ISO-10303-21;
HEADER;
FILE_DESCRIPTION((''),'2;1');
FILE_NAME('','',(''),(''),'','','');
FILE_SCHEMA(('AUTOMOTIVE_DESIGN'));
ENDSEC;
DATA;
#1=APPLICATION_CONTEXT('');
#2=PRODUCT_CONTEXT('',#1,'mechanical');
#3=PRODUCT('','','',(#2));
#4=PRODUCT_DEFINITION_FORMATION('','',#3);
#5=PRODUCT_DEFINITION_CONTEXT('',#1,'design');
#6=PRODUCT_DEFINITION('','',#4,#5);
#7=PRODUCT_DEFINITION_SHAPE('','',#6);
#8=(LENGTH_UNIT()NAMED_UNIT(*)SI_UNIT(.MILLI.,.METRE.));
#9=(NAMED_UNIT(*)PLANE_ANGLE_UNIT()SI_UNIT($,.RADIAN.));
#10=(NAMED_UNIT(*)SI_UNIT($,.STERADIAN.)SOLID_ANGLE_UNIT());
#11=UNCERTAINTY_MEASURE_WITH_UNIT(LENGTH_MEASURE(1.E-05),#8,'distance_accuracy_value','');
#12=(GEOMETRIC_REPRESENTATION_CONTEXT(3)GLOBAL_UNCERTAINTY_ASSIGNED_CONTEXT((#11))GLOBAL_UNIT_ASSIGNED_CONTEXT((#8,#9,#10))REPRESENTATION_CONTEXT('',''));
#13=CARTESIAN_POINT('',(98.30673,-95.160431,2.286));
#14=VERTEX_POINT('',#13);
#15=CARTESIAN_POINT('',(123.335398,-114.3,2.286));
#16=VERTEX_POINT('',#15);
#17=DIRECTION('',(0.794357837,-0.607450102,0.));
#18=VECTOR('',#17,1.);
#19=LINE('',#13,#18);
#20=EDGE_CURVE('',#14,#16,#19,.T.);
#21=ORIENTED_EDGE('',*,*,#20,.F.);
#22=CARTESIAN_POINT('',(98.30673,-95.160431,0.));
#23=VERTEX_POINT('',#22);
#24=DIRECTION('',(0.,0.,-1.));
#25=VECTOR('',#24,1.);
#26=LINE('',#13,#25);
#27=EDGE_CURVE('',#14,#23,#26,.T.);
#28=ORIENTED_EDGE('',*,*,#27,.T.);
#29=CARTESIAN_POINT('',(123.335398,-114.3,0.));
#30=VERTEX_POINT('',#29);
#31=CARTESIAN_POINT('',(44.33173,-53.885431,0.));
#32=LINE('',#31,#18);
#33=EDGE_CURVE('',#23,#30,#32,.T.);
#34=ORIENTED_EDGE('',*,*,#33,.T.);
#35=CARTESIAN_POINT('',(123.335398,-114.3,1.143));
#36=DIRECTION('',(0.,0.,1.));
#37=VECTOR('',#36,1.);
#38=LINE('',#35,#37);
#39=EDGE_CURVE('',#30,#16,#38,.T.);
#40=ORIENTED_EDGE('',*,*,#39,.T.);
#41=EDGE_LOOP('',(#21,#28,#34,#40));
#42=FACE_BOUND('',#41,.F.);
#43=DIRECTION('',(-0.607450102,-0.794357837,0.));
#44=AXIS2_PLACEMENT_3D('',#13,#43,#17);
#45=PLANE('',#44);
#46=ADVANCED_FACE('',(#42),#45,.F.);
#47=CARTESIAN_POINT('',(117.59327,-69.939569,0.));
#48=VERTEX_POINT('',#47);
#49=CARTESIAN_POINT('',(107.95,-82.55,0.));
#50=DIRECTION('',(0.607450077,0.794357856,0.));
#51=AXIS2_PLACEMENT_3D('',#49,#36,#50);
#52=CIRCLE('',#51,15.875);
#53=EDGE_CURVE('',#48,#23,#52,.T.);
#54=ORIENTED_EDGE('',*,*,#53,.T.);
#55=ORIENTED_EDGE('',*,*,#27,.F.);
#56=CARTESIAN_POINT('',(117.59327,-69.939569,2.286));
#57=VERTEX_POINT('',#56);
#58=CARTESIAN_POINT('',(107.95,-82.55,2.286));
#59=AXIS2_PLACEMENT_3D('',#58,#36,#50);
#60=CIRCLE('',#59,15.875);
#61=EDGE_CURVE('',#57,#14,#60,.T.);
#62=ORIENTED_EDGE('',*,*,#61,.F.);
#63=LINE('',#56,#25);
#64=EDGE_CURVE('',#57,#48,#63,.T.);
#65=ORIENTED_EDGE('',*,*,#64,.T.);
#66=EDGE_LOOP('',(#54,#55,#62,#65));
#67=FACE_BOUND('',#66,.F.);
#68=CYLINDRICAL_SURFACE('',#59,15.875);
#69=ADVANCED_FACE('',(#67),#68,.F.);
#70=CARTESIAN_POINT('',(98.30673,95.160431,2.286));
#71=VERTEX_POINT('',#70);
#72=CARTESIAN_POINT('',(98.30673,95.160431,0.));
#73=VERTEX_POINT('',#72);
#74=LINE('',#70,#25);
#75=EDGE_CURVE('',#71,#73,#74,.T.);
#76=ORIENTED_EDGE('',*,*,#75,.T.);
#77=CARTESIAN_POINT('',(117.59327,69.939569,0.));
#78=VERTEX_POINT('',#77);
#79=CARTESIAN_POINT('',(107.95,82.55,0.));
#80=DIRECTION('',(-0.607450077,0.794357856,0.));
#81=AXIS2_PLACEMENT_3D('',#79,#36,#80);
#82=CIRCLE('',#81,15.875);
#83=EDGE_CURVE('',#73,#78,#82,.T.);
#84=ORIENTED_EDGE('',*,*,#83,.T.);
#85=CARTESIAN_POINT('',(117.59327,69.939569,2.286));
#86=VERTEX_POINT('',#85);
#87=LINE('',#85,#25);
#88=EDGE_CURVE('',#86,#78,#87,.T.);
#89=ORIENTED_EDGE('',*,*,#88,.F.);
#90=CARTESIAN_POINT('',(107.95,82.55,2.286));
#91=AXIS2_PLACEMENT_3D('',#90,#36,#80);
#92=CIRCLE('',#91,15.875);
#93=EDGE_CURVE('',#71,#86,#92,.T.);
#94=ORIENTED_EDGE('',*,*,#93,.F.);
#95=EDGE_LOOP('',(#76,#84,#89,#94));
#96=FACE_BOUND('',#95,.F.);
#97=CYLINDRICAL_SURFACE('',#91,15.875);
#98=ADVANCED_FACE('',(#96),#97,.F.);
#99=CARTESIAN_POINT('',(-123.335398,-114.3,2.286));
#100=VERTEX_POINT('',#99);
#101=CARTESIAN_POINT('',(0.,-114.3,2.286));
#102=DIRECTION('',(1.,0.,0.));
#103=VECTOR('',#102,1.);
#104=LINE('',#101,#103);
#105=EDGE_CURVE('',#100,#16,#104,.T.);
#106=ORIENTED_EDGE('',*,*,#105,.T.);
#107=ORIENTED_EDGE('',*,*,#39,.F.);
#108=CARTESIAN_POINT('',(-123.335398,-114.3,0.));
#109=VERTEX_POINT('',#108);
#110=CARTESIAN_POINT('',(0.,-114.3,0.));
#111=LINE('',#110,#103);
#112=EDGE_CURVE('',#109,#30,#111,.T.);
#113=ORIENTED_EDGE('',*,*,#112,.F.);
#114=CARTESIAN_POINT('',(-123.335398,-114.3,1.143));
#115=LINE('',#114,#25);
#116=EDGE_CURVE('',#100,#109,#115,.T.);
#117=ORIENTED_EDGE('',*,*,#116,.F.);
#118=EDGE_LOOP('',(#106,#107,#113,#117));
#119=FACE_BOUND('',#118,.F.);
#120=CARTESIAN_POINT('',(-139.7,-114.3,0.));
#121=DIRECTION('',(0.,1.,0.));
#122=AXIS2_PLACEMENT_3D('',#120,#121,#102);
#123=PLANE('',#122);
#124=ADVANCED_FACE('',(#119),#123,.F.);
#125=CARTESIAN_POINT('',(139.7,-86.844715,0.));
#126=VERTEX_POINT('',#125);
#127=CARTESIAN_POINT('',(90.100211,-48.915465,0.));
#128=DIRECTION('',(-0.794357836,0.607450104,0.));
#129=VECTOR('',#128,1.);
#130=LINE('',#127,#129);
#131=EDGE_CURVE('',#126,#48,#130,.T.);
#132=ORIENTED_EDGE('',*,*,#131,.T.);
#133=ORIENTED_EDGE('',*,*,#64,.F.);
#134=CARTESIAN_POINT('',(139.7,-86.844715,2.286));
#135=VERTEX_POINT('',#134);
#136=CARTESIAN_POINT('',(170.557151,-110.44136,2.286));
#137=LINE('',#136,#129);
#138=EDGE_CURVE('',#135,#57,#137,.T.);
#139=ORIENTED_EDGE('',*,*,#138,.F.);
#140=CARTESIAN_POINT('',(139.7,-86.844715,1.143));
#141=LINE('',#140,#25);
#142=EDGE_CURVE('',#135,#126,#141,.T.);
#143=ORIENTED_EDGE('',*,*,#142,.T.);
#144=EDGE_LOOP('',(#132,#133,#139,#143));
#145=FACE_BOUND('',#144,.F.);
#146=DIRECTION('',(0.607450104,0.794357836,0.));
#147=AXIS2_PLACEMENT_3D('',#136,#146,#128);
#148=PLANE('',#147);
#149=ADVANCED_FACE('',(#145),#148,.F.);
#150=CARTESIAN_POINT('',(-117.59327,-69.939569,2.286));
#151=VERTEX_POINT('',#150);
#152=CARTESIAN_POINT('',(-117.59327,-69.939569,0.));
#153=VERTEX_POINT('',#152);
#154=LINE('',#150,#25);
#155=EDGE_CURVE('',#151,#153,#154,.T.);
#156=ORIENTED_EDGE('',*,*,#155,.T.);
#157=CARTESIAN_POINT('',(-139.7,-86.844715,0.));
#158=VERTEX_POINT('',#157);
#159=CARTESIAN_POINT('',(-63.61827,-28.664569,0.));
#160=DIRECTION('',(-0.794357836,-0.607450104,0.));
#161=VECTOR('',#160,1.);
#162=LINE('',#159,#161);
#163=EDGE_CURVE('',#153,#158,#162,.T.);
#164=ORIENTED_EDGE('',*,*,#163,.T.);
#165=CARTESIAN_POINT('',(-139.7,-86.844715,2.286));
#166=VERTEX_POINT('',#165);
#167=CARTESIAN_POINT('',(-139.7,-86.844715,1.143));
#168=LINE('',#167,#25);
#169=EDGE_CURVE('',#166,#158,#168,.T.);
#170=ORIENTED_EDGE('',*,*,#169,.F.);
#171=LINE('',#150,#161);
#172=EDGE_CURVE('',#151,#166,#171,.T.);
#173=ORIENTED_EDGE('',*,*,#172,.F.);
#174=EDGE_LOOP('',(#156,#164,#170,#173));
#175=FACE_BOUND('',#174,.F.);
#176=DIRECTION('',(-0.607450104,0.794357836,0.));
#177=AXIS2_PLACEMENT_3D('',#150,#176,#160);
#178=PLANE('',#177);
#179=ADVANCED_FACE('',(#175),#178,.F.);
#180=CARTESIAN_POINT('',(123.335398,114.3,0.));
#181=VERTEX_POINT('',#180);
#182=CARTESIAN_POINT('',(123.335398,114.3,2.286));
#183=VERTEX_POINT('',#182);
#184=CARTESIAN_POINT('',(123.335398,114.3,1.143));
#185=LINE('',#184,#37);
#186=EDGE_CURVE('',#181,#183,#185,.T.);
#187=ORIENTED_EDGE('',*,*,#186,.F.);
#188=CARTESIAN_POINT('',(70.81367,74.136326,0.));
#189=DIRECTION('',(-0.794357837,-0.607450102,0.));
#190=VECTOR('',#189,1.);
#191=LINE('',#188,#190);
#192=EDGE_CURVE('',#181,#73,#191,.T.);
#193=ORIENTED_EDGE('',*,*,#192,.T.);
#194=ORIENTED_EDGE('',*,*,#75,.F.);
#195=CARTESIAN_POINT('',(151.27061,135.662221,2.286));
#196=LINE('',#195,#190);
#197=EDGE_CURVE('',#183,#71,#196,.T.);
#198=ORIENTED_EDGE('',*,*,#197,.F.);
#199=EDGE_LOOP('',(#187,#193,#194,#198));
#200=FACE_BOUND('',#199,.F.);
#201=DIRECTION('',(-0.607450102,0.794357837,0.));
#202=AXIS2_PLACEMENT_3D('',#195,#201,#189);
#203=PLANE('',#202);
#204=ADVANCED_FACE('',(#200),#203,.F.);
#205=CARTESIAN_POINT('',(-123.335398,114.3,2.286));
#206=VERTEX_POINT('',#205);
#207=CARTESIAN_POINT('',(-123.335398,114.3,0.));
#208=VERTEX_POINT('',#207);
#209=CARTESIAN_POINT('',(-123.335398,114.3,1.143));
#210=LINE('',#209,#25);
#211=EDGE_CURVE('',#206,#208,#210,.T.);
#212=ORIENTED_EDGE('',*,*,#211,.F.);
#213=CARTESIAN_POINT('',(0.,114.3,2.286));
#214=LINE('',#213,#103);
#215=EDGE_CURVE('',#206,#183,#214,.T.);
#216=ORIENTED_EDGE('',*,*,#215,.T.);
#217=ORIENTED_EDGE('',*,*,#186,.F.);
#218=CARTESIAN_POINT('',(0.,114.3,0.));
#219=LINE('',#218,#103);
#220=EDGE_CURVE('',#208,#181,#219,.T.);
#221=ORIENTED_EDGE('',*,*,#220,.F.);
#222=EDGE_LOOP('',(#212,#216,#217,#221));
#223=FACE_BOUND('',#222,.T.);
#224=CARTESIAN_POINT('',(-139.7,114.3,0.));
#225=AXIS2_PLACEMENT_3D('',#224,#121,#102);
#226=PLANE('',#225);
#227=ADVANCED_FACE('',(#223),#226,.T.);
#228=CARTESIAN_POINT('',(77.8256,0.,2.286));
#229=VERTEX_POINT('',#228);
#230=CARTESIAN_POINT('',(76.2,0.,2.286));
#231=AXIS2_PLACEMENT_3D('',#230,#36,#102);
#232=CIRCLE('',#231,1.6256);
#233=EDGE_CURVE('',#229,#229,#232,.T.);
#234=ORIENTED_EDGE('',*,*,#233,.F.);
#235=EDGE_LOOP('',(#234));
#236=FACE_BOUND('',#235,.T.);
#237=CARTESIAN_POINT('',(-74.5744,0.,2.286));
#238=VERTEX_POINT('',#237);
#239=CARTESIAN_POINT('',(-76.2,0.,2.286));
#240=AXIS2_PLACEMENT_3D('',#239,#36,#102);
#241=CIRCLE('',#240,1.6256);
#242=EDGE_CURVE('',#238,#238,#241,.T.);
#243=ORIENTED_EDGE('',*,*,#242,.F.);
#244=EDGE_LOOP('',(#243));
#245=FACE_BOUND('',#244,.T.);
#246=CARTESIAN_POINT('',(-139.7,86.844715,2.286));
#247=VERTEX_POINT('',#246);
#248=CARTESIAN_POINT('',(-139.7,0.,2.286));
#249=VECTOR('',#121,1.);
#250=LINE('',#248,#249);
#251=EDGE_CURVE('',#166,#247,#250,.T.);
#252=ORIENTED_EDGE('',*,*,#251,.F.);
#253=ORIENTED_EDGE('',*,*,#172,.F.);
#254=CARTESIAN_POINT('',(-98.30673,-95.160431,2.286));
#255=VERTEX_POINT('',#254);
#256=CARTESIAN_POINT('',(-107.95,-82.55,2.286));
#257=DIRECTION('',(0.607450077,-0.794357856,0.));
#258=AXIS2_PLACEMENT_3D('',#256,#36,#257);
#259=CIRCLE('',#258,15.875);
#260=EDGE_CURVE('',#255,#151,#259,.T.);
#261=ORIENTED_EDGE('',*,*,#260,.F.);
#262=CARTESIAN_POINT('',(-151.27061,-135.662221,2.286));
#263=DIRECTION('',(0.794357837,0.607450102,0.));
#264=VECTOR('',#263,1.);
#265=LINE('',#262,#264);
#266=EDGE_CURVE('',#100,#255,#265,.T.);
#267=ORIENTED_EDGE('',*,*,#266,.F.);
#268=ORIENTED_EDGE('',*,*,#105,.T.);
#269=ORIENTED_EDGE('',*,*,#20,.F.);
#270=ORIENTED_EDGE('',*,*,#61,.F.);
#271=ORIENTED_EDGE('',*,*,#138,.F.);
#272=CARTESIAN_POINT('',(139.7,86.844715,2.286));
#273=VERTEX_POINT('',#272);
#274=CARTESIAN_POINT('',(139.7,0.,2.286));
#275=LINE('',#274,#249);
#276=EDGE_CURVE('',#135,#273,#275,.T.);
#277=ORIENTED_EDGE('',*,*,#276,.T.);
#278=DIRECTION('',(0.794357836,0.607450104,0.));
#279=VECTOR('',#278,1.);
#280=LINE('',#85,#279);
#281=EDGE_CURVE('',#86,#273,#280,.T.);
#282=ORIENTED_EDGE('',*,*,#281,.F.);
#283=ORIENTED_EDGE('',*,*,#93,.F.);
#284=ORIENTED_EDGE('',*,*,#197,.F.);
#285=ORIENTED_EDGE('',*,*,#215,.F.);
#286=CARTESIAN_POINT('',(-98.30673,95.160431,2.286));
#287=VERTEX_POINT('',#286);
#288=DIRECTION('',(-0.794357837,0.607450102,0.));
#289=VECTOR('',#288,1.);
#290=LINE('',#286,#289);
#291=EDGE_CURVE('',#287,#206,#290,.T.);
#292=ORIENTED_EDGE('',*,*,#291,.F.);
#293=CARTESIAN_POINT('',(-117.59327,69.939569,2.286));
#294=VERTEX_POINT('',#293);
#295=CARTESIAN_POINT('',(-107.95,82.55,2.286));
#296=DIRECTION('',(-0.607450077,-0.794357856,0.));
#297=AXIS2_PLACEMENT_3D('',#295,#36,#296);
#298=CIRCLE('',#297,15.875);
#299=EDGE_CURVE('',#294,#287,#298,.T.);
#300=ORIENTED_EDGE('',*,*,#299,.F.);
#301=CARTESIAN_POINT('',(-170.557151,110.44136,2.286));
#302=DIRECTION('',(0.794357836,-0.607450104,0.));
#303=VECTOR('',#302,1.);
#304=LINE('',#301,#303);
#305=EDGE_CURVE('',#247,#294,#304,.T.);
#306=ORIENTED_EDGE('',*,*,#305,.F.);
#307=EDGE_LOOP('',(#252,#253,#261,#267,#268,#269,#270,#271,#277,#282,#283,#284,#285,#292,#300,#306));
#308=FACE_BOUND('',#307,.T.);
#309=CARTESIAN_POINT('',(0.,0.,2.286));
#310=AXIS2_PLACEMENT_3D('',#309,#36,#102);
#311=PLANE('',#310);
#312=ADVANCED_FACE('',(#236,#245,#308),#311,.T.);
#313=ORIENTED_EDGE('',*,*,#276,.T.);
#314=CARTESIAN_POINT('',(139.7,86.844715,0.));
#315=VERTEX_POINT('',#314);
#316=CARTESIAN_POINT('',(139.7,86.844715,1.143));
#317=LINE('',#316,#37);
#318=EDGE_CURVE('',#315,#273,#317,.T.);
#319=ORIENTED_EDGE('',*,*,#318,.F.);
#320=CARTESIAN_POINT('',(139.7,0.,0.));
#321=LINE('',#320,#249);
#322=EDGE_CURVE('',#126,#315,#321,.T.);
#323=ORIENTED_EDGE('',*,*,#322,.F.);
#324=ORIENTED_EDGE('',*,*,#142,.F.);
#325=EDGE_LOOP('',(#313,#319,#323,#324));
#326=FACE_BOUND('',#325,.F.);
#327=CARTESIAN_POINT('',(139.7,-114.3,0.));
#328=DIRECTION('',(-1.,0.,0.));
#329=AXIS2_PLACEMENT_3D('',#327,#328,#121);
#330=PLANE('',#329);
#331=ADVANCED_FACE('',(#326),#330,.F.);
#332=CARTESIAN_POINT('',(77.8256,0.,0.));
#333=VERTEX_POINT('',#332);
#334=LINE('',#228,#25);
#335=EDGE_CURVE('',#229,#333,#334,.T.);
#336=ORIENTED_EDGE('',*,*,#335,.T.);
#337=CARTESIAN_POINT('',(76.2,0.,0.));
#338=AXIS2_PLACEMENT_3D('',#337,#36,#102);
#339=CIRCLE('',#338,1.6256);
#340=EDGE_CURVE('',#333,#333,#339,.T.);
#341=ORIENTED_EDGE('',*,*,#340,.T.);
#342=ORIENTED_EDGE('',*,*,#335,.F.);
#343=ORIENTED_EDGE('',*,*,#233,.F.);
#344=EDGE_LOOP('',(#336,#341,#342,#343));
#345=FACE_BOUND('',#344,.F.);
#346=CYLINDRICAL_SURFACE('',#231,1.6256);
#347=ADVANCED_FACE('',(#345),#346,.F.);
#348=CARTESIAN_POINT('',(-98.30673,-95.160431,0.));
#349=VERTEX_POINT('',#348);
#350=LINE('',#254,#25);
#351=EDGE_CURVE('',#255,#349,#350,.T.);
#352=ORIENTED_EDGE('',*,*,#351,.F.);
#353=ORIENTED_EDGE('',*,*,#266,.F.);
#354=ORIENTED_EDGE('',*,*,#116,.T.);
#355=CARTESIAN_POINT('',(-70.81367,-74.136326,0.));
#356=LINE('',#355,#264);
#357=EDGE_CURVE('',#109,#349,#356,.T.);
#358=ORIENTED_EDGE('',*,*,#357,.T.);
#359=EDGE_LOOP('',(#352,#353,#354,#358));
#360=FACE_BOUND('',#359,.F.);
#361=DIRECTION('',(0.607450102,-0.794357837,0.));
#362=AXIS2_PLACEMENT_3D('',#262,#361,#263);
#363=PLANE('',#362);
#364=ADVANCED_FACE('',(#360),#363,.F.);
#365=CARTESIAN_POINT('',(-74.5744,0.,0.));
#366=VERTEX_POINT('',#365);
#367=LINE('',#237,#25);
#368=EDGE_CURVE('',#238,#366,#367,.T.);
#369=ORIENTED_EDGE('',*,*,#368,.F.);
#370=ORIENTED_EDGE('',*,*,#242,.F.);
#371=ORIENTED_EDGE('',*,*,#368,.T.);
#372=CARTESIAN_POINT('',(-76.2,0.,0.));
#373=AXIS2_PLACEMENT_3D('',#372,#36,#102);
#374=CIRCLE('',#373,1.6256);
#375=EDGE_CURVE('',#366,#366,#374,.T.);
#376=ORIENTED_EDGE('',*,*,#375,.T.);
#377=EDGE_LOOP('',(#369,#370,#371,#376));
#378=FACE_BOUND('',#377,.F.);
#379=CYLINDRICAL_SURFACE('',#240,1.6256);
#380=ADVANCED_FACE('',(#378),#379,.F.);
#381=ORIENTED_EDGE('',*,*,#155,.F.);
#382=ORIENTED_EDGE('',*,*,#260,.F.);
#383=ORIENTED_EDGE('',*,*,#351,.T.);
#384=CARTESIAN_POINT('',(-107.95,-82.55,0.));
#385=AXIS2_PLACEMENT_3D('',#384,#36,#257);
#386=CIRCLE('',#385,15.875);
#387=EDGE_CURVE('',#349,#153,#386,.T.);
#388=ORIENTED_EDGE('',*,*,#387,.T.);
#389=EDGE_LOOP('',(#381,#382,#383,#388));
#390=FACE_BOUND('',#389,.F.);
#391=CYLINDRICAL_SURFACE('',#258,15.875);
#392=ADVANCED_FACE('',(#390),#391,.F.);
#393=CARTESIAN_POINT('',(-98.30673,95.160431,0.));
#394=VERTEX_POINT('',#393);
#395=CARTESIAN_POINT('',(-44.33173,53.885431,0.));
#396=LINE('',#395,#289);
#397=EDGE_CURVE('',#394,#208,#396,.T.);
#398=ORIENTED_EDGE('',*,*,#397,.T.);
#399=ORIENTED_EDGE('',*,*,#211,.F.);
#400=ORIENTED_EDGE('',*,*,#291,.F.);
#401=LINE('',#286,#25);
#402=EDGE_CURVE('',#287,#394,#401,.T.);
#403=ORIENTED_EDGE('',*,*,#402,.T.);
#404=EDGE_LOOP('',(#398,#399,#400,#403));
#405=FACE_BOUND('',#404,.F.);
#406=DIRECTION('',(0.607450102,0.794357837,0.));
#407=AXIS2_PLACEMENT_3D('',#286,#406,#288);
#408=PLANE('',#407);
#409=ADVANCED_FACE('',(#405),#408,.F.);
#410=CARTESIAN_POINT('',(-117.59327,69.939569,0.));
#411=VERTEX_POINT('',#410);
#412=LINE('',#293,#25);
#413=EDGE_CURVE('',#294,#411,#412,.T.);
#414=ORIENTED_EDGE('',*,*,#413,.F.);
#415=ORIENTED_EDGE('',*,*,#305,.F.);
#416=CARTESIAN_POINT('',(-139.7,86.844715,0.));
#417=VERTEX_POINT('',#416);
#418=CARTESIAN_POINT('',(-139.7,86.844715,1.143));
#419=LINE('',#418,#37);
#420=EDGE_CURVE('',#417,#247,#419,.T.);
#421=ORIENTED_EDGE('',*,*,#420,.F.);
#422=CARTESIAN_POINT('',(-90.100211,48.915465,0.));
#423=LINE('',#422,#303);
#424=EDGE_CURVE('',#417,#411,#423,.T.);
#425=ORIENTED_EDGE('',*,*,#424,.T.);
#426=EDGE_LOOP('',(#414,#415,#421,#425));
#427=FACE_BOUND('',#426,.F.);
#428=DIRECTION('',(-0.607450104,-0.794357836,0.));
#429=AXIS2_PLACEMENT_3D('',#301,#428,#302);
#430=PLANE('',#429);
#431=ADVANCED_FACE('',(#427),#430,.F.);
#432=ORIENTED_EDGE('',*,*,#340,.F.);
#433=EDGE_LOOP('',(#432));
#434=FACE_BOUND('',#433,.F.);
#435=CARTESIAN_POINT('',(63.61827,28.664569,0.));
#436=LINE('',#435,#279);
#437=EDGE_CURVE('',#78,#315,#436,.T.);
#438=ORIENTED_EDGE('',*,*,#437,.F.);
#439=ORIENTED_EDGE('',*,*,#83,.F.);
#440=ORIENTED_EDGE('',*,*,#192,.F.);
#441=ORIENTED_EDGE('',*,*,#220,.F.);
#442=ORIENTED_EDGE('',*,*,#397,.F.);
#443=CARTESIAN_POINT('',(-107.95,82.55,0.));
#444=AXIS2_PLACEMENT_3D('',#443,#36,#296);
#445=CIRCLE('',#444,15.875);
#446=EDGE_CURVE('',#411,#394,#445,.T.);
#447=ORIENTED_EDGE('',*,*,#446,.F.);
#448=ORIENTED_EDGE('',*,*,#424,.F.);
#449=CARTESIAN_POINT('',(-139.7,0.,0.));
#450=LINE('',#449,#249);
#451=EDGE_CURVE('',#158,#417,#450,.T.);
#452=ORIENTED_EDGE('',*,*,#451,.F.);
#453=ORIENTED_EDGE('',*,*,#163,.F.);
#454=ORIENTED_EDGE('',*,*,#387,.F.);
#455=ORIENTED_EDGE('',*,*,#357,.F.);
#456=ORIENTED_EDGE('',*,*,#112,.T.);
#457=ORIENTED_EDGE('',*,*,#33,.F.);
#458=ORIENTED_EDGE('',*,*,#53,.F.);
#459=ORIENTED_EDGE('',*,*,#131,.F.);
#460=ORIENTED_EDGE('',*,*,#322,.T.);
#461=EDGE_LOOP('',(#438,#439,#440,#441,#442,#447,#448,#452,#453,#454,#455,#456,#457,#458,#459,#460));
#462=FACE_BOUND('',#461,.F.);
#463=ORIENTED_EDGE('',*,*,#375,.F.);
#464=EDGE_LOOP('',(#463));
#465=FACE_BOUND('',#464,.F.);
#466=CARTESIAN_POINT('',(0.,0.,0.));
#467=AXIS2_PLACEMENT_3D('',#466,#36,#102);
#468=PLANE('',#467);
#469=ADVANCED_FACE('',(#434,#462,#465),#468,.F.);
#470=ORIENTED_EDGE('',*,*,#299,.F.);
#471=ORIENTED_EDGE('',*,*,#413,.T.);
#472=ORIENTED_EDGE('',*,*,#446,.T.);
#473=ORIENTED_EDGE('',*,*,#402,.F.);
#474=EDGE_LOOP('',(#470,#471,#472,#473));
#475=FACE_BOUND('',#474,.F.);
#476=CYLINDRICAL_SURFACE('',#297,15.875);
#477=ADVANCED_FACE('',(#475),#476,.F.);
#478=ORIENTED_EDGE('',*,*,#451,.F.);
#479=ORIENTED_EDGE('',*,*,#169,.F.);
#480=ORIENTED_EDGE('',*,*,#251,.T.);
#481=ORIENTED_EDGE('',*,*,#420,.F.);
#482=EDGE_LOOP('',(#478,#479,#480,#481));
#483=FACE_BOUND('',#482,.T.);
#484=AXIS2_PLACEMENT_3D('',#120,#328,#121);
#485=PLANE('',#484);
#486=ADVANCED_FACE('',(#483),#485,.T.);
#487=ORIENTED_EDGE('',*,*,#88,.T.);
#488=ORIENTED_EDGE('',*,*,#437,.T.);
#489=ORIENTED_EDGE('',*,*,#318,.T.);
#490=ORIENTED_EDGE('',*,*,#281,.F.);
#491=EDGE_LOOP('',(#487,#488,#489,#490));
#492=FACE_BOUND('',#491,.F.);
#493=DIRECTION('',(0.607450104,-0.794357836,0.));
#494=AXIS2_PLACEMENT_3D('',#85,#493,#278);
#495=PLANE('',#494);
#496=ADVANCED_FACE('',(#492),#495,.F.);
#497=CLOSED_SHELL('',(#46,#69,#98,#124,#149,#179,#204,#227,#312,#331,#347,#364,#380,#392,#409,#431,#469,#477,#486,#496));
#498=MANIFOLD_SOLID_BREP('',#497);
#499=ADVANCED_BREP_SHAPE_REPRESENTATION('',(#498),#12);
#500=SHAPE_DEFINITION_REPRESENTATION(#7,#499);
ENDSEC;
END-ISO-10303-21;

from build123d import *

# Parameters (mm, degrees)
F0_W     = 279.4
F0_H     = 228.6
F1_DEPTH = 2.286
F3_DEPTH = 2.287
F4_R     = 1.6256
F5_DEPTH = 2.287


with BuildPart() as f1:
    # F0 (on Top) → F1 (new body)
    with BuildSketch(Plane.XY):
        Rectangle(F0_W, F0_H)
    extrude(amount=F1_DEPTH)

    # F2 (on face) → F3 (cut, through all)
    with BuildSketch(Plane.XY.offset(2.286)):
        with BuildLine():
            Line((-170.557151, 110.44136), (-117.59327, 69.939569))
            ThreePointArc((-117.59327, 69.939569), (-95.339569, 72.90673), (-98.30673, 95.160431))
            Line((-98.30673, 95.160431), (-151.27061, 135.662221))
            Line((-151.27061, 135.662221), (-170.557151, 110.44136))
        make_face()
        with BuildLine():
            Line((151.27061, 135.662221), (98.30673, 95.160431))
            ThreePointArc((98.30673, 95.160431), (95.339569, 72.90673), (117.59327, 69.939569))
            Line((117.59327, 69.939569), (170.557151, 110.44136))
            Line((170.557151, 110.44136), (151.27061, 135.662221))
        make_face()
        with BuildLine():
            Line((170.557151, -110.44136), (117.59327, -69.939569))
            ThreePointArc((117.59327, -69.939569), (95.339569, -72.90673), (98.30673, -95.160431))
            Line((98.30673, -95.160431), (151.27061, -135.662221))
            Line((151.27061, -135.662221), (170.557151, -110.44136))
        make_face()
        with BuildLine():
            Line((-151.27061, -135.662221), (-98.30673, -95.160431))
            ThreePointArc((-98.30673, -95.160431), (-95.339569, -72.90673), (-117.59327, -69.939569))
            Line((-117.59327, -69.939569), (-170.557151, -110.44136))
            Line((-170.557151, -110.44136), (-151.27061, -135.662221))
        make_face()
    extrude(amount=-F3_DEPTH, mode=Mode.SUBTRACT)

    # F4 (on face) → F5 (cut, through all)
    with BuildSketch(Plane.XY.offset(2.286)):
        with Locations((76.2, 0)):
            Circle(F4_R)
        with Locations((-76.2, 0)):
            Circle(F4_R)
    extrude(amount=-F5_DEPTH, mode=Mode.SUBTRACT)


solid = f1.part
